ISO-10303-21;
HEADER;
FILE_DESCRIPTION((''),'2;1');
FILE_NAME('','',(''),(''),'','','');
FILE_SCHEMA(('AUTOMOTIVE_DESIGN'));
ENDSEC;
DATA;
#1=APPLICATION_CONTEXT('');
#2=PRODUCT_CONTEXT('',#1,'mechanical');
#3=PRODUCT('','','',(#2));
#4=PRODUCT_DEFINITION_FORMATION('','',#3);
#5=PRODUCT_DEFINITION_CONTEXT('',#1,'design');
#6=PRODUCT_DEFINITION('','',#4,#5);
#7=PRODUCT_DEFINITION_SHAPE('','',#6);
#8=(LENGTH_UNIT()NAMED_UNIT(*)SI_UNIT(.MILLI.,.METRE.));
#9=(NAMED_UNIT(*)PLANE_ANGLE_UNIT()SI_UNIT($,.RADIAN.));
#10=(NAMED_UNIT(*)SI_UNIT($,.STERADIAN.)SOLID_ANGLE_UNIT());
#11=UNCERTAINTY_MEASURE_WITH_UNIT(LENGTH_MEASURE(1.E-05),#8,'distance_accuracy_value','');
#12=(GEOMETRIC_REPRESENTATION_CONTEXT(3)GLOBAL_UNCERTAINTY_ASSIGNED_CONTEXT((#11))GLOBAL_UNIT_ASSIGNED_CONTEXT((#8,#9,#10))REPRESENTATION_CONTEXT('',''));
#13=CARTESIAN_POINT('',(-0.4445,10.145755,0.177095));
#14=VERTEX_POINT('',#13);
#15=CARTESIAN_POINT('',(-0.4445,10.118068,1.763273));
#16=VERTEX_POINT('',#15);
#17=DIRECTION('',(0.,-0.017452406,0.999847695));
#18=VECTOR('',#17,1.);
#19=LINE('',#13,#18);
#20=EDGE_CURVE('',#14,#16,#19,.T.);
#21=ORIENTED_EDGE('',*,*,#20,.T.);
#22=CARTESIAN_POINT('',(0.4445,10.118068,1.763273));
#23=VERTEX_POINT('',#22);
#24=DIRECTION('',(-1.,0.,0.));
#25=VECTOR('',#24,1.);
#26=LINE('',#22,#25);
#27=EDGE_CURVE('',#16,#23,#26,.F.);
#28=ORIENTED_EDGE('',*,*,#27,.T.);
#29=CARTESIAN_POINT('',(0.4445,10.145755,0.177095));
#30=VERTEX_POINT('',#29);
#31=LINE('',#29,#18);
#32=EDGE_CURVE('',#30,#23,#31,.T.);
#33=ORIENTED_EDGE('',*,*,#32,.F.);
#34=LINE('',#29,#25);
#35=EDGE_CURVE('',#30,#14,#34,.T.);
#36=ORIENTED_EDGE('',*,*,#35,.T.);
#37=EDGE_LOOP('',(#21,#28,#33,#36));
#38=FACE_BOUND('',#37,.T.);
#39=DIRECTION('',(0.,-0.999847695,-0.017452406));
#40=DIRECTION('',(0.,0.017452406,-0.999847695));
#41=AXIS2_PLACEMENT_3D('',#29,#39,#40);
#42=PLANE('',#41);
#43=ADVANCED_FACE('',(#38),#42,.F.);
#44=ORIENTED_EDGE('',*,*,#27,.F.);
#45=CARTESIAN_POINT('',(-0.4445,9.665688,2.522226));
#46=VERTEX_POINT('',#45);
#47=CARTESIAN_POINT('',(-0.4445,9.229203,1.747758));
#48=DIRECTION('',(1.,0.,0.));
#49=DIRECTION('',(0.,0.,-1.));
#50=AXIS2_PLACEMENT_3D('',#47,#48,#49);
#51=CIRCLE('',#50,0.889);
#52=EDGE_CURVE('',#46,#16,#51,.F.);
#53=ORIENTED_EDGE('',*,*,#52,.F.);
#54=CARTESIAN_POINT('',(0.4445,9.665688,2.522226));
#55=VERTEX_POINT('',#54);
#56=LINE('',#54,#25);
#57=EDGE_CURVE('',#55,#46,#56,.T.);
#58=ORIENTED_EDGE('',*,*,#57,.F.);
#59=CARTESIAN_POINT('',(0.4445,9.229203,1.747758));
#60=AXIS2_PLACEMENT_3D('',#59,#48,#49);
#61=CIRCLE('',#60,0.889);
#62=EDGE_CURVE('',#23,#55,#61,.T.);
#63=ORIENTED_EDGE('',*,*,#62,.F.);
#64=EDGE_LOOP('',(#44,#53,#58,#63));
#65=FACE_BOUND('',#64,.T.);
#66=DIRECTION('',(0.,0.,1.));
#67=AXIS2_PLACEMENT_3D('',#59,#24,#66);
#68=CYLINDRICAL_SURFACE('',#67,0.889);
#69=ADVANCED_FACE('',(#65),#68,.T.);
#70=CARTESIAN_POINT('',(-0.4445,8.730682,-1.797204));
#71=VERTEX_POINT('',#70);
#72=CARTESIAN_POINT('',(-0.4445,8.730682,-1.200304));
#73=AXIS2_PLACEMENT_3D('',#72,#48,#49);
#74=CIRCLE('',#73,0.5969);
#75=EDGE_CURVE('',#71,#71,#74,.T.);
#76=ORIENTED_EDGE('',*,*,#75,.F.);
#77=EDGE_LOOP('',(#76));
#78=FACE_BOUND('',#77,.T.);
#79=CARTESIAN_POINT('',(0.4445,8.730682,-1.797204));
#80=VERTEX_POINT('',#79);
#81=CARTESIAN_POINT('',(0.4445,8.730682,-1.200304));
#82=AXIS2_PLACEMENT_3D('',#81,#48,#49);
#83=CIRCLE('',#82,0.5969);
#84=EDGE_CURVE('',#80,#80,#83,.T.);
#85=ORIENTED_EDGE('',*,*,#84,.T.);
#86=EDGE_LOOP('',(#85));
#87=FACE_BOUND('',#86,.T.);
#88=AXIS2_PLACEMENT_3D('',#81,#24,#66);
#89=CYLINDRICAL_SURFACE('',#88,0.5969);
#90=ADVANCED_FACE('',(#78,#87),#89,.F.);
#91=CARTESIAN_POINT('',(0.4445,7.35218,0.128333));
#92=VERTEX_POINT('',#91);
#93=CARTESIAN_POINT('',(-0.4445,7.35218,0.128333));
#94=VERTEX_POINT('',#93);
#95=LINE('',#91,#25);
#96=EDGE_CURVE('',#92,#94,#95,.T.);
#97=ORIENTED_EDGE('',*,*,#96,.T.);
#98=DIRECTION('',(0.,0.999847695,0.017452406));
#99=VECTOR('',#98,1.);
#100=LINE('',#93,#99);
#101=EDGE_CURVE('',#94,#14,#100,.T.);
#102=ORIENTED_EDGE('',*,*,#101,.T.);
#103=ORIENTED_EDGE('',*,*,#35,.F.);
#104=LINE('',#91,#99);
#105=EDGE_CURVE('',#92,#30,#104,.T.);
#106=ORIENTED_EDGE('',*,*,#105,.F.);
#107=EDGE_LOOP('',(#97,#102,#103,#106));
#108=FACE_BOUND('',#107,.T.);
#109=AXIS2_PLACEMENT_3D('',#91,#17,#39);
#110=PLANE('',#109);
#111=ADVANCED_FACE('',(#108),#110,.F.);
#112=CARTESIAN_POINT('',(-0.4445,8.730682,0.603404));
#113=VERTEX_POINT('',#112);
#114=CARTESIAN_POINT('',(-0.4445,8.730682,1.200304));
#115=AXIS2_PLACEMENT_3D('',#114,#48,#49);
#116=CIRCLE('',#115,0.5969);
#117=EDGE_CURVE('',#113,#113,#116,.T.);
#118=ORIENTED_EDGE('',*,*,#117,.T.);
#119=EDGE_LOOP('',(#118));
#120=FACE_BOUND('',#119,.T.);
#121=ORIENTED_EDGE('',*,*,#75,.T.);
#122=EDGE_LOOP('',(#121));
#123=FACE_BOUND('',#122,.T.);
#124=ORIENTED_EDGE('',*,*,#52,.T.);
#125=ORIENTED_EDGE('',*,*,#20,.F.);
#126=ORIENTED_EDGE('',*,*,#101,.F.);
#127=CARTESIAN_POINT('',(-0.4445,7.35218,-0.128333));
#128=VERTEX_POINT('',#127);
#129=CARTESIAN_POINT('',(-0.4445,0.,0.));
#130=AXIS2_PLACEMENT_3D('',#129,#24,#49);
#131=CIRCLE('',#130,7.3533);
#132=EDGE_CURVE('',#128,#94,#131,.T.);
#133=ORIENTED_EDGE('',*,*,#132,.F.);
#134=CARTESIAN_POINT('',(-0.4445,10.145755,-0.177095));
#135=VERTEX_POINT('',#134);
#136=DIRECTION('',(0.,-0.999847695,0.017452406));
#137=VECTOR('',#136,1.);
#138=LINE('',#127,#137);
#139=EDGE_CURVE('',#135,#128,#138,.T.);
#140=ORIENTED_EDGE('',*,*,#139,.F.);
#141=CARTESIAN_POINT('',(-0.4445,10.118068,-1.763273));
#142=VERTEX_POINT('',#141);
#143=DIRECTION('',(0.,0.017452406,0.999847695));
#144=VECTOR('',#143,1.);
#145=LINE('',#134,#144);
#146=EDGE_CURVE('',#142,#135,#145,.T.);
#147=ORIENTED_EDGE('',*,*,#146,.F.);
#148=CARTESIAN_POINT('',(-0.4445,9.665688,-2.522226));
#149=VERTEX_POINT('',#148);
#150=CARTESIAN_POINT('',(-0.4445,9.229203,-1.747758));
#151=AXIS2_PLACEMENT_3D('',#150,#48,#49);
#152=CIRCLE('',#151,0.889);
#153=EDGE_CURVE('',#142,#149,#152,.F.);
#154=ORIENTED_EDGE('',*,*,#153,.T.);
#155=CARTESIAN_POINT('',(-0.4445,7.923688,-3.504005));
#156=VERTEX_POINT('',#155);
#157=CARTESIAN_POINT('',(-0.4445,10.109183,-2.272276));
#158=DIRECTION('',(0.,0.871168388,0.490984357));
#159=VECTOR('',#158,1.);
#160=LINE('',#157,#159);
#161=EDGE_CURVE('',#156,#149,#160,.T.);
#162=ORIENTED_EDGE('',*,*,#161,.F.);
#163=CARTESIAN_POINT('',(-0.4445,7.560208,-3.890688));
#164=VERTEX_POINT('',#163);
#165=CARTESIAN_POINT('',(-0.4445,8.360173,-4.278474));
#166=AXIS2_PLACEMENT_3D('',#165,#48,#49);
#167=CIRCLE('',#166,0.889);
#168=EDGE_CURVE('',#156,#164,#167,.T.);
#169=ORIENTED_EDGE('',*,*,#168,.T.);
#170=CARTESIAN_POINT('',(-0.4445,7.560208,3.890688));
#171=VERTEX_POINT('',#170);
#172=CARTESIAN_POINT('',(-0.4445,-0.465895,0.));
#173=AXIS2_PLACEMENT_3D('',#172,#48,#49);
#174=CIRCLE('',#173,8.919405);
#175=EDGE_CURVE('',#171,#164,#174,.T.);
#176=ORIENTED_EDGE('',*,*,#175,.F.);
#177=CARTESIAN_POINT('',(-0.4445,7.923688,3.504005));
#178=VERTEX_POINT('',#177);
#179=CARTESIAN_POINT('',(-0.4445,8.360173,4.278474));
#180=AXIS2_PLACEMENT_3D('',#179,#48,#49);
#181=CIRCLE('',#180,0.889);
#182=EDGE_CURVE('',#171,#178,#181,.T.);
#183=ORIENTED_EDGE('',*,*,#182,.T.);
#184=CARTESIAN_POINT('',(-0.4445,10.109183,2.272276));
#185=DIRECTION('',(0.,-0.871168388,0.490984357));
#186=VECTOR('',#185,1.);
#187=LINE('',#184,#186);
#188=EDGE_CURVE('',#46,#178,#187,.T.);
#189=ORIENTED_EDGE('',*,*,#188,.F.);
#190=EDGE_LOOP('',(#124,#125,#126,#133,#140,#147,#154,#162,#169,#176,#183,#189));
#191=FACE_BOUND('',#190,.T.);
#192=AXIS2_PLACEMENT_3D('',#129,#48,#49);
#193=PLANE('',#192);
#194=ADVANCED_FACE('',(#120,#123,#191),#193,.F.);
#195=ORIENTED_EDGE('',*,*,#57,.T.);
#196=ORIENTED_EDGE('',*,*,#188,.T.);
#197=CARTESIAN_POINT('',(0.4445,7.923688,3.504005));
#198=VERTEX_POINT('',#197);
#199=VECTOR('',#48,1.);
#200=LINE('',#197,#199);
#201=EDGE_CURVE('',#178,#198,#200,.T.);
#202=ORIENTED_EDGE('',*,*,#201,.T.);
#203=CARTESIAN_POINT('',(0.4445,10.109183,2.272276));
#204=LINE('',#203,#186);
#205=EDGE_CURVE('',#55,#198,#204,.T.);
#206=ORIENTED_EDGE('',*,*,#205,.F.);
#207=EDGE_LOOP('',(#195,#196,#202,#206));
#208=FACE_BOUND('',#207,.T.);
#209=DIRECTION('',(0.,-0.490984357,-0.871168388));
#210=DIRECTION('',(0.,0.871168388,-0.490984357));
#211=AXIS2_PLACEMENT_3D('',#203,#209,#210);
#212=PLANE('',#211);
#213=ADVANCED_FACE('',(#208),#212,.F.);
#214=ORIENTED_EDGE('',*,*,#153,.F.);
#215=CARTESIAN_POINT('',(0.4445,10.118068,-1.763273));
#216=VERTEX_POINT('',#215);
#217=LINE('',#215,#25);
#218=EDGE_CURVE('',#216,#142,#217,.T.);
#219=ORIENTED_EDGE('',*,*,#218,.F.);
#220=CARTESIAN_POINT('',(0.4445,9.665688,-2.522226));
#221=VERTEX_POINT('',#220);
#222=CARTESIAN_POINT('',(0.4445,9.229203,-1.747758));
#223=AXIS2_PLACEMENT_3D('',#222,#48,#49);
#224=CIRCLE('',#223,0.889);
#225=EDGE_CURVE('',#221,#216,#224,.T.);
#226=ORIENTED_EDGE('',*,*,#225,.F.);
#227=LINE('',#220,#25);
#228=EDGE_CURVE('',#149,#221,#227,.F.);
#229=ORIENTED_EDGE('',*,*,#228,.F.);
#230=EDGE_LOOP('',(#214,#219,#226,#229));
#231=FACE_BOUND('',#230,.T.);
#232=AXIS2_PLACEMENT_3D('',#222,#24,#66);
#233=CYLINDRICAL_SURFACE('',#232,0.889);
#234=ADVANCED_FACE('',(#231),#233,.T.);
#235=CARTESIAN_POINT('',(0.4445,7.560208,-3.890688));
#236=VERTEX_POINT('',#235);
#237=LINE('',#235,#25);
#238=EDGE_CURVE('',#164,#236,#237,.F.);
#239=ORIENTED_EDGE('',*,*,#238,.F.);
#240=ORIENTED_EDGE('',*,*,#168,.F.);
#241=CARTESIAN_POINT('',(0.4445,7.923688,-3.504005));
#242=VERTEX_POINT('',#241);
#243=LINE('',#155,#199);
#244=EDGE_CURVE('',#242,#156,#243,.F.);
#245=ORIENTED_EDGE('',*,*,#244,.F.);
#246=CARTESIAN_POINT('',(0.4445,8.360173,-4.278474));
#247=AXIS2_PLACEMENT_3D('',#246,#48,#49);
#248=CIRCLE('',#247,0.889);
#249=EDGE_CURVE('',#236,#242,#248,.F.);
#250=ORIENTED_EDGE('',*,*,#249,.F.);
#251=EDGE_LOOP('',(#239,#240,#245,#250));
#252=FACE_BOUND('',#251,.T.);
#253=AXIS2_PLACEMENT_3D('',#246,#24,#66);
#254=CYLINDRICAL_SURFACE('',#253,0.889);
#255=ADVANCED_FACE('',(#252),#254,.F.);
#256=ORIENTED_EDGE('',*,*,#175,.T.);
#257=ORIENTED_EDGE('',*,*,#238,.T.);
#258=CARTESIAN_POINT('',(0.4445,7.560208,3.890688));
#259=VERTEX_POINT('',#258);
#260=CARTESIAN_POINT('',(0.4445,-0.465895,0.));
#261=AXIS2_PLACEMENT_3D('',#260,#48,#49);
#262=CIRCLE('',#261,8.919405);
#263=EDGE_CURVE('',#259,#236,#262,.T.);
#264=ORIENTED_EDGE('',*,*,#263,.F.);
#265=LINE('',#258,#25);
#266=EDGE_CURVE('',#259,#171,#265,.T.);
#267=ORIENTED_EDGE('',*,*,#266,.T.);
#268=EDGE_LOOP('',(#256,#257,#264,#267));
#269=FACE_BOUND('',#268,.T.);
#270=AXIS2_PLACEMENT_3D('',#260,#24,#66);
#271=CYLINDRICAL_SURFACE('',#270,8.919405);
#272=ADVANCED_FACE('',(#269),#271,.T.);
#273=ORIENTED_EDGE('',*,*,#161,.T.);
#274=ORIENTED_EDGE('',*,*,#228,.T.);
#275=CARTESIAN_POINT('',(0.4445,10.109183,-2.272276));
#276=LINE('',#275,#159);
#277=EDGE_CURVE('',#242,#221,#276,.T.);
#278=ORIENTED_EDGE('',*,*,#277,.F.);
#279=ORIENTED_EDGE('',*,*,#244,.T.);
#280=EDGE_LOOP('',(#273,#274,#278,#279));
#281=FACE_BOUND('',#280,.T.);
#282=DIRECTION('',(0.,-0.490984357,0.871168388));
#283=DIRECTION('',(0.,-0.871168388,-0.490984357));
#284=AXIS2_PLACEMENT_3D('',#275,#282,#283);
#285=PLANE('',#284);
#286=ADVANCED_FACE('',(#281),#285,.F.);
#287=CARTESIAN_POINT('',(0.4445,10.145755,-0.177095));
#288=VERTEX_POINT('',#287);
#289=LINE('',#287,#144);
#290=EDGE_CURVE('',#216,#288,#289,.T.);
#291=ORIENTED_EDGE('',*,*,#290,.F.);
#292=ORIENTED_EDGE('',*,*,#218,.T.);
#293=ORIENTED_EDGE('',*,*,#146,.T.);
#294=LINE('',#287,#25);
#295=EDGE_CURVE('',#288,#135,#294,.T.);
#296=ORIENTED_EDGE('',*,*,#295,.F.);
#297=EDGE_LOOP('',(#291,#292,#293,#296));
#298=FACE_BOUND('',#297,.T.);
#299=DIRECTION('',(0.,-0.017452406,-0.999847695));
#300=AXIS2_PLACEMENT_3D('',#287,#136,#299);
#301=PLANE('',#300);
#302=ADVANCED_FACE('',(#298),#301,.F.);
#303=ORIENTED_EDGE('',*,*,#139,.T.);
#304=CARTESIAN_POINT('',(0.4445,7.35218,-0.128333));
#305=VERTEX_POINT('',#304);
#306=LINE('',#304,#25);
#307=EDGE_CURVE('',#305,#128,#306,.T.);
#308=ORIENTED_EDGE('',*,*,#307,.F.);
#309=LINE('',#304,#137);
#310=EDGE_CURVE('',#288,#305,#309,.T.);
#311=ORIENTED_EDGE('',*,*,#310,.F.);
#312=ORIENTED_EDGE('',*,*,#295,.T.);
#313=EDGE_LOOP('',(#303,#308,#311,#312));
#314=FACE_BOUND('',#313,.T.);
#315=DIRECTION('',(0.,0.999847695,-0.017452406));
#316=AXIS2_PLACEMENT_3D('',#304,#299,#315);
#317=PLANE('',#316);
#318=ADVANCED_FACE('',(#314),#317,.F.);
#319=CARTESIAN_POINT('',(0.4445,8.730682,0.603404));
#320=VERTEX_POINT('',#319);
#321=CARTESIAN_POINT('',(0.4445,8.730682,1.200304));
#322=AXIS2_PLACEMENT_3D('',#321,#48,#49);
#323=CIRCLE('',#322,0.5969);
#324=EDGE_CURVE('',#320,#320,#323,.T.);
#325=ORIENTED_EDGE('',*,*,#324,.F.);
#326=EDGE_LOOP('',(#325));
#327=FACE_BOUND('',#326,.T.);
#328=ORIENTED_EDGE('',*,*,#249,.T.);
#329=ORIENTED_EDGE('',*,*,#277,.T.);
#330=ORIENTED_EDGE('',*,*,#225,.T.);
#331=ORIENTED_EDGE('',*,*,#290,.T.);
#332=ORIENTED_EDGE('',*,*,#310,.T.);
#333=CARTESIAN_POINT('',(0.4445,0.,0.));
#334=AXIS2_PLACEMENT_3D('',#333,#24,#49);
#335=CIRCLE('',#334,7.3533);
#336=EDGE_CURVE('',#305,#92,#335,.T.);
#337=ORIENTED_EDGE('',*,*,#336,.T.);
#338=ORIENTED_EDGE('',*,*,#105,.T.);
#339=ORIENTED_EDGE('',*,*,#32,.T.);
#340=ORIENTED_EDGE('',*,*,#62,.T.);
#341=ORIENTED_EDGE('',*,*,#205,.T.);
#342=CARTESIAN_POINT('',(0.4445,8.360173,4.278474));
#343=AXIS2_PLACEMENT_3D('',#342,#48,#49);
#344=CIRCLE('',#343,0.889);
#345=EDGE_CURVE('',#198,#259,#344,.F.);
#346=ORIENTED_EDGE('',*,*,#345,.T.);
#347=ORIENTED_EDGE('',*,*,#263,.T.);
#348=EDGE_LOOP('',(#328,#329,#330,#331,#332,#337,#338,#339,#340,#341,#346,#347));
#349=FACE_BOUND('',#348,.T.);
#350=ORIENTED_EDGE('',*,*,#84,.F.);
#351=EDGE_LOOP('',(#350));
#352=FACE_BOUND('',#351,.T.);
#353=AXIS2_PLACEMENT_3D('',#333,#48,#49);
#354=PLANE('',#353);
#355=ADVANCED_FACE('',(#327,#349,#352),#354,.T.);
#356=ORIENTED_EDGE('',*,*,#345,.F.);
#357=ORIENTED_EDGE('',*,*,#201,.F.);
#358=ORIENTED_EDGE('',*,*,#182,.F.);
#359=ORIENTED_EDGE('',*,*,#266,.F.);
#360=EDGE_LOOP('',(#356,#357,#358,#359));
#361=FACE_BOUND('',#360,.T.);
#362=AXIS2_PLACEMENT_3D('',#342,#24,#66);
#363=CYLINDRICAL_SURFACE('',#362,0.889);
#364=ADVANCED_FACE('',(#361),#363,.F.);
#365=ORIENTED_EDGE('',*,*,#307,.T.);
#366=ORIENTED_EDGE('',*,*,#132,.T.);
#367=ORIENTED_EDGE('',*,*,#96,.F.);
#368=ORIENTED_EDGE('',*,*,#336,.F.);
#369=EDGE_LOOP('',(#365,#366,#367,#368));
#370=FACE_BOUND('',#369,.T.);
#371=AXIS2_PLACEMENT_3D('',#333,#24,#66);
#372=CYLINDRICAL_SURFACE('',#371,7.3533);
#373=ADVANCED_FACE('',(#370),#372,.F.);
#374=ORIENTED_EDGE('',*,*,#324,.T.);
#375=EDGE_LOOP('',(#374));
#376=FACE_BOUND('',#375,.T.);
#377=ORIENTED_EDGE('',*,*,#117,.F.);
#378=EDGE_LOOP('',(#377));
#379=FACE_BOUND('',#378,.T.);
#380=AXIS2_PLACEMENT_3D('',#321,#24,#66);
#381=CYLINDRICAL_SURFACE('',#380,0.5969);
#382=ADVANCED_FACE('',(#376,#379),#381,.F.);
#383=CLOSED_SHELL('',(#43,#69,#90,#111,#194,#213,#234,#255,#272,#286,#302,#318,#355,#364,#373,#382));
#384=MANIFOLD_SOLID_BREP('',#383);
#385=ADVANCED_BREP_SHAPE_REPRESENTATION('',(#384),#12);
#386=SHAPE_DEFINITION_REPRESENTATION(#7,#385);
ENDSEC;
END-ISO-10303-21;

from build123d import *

# Parameters (mm, degrees)
SKETCH1_R      = 0.5969
EXTRUDE1_DEPTH = 0.4445
FILLET1_R      = 0.889


with BuildPart() as part:
    # Sketch1 → Extrude1 (new, symmetric)
    with BuildSketch(Plane(origin=(0, 0, 0), x_dir=(0, 0, -1), z_dir=(1, 0, 0))):
        with BuildLine():
            Line((-0.12833278, 7.352180057), (-0.177094804, 10.145754517))
            Line((-0.177094804, 10.145754517), (-2.272275649, 10.109182999))
            Line((-2.272275649, 10.109182999), (-3.644085943, 7.675138522))
            ThreePointArc((-3.644085943, 7.675138522), (0, -9.3853), (3.644085943, 7.675138522))
            Line((3.644085943, 7.675138522), (2.272275649, 10.109182999))
            Line((2.272275649, 10.109182999), (0.177094804, 10.145754517))
            Line((0.177094804, 10.145754517), (0.12833278, 7.352180057))
            ThreePointArc((0.12833278, 7.352180057), (0, -7.3533), (-0.12833278, 7.352180057))
        make_face()
        with Locations((-1.200304215, 8.730681528)):
            Circle(SKETCH1_R, mode=Mode.SUBTRACT)
        with Locations((1.200304215, 8.730681528)):
            Circle(SKETCH1_R, mode=Mode.SUBTRACT)
    extrude(amount=EXTRUDE1_DEPTH, both=True)

    # Fillet1
    fillet1_edges = [part.edges().sort_by_distance(p)[0] for p in [
        (0, 10.109182999, -2.272275649),
        (0, 7.675138522, -3.644085943),
        (0, 7.675138522, 3.644085943),
        (0, 10.109182999, 2.272275649),
    ]]
    fillet(fillet1_edges, radius=FILLET1_R)


solid = part.part
